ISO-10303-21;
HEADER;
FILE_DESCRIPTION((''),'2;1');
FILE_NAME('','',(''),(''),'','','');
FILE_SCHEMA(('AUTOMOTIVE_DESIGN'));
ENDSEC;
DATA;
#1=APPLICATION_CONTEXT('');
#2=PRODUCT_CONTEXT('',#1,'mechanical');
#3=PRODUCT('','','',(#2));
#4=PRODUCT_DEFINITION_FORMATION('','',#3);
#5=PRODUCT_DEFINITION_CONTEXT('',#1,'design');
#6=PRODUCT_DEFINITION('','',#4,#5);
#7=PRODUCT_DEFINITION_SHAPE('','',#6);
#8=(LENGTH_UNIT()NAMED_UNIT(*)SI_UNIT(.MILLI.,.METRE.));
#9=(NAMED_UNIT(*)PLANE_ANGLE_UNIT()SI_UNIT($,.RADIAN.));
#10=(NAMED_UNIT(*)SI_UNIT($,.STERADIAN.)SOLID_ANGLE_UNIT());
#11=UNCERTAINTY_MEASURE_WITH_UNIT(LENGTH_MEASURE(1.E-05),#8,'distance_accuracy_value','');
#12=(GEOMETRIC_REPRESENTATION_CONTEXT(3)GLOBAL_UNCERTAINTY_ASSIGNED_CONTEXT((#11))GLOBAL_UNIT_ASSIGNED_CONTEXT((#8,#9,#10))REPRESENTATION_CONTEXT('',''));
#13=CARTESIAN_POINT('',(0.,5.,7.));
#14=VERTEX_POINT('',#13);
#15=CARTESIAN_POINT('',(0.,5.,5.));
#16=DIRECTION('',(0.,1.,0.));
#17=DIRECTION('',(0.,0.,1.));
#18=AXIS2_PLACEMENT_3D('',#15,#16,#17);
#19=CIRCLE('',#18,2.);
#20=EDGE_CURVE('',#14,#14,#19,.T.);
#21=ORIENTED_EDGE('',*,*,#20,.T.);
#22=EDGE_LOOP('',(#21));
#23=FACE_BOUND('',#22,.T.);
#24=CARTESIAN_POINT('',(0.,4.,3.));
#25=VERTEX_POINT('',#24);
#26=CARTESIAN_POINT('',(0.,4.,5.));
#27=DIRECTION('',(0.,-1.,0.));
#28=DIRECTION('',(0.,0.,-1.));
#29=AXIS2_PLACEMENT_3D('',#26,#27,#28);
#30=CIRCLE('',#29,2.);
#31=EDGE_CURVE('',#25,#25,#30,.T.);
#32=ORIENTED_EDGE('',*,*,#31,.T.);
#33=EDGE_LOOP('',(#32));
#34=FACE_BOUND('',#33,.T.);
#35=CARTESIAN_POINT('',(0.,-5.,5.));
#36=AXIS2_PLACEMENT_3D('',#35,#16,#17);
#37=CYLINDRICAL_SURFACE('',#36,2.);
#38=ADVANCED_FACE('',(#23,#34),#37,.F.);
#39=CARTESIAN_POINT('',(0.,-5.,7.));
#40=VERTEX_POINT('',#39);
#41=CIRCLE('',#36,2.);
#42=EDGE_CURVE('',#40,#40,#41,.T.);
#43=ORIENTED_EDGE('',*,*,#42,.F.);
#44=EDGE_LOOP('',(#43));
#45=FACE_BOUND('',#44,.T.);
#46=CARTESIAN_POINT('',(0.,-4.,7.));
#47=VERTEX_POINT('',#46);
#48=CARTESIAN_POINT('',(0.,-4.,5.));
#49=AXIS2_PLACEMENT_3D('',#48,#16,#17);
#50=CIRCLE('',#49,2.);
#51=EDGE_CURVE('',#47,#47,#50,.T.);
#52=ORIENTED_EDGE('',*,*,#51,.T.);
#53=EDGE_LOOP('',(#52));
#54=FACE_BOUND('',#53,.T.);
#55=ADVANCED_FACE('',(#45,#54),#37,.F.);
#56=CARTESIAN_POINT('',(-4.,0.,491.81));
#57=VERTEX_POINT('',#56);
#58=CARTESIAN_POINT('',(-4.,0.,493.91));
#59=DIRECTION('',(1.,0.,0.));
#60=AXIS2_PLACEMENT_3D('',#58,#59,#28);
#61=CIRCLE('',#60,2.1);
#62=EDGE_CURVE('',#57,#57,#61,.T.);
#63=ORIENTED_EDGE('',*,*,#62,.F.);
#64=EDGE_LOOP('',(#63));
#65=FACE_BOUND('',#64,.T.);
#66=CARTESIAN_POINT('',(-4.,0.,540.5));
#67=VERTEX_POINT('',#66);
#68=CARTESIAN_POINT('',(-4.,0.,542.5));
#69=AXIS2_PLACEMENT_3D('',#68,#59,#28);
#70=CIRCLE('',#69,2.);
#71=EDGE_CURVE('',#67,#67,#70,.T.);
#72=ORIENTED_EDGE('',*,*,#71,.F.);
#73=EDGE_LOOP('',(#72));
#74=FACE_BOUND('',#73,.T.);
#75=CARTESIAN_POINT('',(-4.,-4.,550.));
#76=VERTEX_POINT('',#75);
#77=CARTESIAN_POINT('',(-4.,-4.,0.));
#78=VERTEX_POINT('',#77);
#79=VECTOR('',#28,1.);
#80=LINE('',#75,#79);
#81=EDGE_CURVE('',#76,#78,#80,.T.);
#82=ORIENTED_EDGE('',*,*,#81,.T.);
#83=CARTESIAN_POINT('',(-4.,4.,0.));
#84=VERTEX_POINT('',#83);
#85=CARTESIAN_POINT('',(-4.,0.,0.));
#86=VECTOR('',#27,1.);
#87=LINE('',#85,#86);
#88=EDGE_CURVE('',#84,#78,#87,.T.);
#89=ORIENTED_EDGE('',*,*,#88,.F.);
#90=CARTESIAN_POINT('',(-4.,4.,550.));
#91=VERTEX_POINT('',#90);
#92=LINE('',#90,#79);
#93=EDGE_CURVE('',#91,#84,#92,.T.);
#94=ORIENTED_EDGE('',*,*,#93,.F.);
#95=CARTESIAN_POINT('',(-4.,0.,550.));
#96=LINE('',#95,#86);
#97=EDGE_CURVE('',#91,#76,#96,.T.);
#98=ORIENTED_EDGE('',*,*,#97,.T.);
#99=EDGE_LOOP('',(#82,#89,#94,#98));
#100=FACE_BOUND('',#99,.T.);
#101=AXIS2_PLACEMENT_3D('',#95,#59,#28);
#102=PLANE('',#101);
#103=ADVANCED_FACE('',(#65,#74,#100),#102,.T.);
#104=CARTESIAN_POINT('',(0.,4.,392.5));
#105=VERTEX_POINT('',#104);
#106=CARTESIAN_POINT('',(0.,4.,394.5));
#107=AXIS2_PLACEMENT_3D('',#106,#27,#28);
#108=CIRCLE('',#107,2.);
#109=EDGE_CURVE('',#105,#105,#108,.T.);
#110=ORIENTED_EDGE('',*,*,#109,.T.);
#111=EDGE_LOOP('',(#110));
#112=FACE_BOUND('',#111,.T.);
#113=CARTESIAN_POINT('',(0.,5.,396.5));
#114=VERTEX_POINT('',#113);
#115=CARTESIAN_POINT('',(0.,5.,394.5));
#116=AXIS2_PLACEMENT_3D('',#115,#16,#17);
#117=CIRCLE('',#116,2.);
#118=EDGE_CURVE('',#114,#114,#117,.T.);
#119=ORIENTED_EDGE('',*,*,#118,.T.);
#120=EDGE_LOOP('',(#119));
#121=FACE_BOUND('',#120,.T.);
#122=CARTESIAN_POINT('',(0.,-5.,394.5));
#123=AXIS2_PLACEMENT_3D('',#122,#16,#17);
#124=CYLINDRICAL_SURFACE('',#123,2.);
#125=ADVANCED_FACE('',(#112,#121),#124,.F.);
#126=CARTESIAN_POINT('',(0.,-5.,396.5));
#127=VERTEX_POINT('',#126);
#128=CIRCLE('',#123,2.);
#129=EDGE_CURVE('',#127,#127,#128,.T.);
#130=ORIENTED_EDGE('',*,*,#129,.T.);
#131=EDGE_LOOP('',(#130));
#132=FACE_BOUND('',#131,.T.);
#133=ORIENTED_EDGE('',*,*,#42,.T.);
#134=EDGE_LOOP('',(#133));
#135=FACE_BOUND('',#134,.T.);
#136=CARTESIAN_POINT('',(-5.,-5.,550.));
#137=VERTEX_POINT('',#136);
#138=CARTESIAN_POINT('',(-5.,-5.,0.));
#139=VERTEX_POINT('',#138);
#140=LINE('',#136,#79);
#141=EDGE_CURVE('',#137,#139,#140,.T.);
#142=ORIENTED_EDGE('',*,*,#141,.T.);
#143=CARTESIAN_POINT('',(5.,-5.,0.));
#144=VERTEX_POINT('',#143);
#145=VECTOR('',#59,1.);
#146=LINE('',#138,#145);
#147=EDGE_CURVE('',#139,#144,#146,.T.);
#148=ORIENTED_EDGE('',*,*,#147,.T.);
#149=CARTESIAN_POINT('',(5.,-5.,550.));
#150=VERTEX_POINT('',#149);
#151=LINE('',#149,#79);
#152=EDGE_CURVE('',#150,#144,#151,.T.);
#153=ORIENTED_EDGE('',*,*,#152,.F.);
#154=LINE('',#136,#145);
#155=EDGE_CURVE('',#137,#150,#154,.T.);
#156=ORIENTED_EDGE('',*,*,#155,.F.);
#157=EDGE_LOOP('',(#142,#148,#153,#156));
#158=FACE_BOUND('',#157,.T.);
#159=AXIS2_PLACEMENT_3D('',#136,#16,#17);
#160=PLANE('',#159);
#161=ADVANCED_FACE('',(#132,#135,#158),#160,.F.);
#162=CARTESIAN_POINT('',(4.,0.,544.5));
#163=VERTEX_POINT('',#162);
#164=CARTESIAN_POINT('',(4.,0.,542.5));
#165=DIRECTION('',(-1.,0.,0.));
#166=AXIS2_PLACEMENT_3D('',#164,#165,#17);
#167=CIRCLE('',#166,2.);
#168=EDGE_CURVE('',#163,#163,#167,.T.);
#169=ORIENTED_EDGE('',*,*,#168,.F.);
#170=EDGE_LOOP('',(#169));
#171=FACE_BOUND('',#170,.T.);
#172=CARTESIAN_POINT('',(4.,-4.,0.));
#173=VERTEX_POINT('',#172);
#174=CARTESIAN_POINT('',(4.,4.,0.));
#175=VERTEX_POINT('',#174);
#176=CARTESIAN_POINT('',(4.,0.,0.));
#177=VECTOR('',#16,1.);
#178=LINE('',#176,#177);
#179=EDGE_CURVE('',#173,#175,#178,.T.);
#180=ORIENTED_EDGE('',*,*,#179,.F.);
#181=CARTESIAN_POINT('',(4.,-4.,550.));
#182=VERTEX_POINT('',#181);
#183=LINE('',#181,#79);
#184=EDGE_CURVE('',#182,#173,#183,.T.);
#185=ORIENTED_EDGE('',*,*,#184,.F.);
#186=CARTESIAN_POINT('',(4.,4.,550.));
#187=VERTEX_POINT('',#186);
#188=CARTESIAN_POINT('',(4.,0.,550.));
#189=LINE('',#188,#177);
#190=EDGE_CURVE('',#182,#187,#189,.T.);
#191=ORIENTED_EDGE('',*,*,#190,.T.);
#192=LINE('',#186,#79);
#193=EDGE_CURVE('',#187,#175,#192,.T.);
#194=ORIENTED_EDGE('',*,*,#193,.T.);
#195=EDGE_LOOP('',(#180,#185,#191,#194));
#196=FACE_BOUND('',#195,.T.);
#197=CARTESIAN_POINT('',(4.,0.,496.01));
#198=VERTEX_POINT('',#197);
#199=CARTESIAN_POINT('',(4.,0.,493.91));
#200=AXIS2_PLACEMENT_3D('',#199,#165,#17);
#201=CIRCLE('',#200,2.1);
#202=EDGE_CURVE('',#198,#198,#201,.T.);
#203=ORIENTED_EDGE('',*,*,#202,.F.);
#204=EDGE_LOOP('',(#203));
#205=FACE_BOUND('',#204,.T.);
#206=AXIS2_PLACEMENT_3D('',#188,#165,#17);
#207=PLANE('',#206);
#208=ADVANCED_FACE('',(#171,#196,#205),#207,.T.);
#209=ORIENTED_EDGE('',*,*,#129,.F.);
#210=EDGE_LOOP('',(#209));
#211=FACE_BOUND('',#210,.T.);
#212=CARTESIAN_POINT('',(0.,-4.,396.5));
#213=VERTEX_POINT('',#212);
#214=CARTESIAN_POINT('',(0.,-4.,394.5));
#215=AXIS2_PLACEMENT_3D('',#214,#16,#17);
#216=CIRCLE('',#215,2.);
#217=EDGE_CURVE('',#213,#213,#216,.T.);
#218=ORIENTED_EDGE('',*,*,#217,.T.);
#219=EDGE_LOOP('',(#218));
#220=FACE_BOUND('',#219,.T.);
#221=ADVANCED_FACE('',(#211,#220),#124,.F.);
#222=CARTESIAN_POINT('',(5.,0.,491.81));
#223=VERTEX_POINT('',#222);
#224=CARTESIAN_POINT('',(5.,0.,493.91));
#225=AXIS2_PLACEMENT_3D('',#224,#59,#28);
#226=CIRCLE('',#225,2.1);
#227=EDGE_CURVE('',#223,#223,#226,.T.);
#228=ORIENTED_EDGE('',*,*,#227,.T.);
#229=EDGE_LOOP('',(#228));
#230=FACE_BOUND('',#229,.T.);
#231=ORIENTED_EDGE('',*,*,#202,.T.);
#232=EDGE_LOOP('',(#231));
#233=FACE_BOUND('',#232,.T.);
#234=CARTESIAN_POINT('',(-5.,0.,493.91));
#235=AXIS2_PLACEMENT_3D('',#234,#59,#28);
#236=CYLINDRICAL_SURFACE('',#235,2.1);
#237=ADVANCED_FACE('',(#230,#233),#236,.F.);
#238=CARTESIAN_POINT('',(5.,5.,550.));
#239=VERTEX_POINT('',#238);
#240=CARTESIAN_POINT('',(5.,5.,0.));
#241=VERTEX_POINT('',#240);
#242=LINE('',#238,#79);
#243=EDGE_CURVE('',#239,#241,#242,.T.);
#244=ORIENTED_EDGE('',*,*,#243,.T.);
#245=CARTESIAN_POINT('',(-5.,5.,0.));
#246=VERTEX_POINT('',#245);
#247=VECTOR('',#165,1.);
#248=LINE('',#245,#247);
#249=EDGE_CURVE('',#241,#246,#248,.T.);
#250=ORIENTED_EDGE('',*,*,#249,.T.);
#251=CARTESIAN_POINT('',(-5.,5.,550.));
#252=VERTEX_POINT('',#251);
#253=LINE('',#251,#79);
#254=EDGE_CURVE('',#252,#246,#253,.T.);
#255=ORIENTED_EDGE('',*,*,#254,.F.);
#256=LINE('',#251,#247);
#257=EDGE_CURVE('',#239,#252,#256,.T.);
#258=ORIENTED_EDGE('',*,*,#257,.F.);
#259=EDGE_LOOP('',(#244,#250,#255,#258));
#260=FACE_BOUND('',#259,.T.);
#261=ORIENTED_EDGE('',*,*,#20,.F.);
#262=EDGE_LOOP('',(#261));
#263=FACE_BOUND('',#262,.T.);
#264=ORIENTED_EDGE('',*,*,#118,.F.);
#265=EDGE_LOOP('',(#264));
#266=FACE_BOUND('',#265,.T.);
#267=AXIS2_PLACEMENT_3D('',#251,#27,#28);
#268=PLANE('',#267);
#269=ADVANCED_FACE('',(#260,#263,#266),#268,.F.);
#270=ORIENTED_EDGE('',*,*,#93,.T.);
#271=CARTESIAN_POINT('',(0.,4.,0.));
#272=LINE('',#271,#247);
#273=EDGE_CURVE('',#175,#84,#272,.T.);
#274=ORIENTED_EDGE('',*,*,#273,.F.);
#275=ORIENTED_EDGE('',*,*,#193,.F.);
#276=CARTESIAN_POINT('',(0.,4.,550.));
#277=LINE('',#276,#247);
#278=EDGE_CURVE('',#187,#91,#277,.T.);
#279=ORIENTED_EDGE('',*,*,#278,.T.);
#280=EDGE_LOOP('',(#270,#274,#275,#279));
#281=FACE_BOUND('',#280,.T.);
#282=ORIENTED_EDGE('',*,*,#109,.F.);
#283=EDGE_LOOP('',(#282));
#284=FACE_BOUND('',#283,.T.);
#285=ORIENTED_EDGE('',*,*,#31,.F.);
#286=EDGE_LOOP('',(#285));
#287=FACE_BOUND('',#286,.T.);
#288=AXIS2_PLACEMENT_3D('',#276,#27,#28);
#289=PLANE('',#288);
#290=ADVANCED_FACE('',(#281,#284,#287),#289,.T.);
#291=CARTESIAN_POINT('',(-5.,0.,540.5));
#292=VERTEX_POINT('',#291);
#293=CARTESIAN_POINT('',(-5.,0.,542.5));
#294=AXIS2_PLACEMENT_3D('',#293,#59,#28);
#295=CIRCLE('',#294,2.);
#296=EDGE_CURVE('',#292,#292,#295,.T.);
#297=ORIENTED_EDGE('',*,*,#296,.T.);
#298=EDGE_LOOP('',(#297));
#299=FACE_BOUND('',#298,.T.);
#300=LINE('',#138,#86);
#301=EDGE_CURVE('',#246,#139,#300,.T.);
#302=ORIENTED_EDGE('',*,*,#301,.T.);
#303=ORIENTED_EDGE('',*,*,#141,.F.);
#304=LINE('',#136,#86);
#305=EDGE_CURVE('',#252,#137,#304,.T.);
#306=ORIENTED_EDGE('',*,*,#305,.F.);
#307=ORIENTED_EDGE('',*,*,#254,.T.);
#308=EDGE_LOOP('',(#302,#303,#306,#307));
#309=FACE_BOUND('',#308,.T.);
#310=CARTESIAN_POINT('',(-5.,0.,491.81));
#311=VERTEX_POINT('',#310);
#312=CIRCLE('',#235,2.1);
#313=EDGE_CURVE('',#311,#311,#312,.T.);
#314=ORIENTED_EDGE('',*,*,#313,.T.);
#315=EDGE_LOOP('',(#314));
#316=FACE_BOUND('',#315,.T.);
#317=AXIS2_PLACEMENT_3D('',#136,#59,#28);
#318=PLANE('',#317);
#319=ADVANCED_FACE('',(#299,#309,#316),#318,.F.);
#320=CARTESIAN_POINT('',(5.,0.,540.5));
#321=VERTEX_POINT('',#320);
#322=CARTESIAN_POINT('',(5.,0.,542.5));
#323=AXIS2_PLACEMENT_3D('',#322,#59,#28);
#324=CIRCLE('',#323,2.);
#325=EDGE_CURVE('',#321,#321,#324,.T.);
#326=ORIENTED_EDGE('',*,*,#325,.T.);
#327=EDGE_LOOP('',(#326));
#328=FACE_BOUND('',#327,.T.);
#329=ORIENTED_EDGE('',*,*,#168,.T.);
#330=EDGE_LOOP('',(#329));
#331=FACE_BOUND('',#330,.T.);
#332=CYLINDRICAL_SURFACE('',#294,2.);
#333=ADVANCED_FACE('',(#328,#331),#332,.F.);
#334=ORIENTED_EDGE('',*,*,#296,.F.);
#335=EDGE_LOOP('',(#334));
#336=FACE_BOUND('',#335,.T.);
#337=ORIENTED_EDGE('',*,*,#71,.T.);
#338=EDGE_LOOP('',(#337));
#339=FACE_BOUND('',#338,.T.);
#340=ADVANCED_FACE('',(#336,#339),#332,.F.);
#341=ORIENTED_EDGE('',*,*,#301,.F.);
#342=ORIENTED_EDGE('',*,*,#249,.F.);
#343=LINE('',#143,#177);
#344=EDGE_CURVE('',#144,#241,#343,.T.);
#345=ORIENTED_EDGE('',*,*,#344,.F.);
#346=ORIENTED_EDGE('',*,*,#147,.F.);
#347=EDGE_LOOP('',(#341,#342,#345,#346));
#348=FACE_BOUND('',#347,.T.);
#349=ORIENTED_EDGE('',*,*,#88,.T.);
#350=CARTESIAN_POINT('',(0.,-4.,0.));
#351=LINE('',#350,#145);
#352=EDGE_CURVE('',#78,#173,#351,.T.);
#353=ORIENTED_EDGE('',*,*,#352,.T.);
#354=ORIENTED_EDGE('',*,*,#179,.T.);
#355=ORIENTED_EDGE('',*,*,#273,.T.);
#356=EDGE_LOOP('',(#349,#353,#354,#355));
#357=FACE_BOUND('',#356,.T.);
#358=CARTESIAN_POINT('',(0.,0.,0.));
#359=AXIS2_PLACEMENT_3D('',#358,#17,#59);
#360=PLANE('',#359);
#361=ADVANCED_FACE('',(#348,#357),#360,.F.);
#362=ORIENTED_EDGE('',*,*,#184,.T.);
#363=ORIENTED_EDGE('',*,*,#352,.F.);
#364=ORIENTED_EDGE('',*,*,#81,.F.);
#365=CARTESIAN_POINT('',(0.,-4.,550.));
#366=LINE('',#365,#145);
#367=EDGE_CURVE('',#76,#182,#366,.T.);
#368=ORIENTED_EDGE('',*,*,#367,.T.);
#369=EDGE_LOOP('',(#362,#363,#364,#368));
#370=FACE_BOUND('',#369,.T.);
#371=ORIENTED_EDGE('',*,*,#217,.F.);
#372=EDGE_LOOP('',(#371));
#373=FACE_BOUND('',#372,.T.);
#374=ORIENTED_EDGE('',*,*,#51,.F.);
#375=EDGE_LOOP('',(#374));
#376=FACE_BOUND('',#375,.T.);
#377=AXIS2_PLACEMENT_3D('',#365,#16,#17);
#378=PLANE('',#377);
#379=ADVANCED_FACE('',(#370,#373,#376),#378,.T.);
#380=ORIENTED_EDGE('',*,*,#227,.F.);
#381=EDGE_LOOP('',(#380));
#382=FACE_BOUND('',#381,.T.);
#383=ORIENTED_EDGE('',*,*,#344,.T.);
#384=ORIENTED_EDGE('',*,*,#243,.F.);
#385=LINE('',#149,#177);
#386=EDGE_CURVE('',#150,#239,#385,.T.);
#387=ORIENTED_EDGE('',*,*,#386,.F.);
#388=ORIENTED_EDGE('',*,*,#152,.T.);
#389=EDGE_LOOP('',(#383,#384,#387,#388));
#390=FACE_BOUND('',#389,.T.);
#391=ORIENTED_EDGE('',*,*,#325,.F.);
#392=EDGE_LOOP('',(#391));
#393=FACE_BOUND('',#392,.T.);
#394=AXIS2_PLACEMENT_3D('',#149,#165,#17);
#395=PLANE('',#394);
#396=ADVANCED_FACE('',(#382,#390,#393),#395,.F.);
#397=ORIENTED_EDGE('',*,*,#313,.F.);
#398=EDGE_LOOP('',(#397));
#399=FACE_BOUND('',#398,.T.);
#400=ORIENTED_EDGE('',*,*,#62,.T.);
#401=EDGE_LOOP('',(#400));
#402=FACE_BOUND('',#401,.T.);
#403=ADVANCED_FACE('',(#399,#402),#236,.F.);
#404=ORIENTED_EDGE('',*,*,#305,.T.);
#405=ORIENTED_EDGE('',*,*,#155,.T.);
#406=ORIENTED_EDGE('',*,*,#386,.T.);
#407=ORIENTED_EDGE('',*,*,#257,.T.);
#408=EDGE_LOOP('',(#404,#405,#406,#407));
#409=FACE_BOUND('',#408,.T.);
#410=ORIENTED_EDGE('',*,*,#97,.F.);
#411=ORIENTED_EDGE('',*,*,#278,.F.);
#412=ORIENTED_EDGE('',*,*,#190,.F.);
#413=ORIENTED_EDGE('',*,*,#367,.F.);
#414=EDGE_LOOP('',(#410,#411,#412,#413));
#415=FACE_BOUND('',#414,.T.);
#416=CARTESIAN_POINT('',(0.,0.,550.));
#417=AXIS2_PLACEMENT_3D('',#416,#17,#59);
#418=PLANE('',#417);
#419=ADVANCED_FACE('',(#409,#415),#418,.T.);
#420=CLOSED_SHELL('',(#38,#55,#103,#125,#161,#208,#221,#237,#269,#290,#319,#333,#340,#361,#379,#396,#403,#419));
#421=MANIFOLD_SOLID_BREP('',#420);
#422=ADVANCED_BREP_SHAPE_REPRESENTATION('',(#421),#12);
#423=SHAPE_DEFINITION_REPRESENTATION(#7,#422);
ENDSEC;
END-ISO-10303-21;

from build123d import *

# Parameters (mm, degrees)
SKETCH_1_W          = 10
SKETCH_1_H          = 10
SKETCH_1_W_2        = 8
SKETCH_1_H_2        = 8
EXTRUDE_1_DEPTH     = 550
SKETCH_2_R          = 2
CUT_EXTRUDE_1_DEPTH = 551.113624627
SKETCH_3_R          = 2.1
CUT_EXTRUDE_2_DEPTH = 551.113624627
SKETCH_4_R          = 2
CUT_EXTRUDE_3_DEPTH = 551.113624627


with BuildPart() as part:
    # ｽｹｯﾁ1 → 押し出し-薄板1 (new body)
    with BuildSketch(Plane.XY):
        Rectangle(SKETCH_1_W, SKETCH_1_H)
        Rectangle(SKETCH_1_W_2, SKETCH_1_H_2, mode=Mode.SUBTRACT)
    extrude(amount=EXTRUDE_1_DEPTH)

    # ｽｹｯﾁ2 → ｶｯﾄ - 押し出し1 (cut, through all)
    with BuildSketch(Plane(origin=(0, 5, 0), x_dir=(1, 0, 0), z_dir=(0, 1, 0))):
        with Locations(Location((0, -5, 0), (0, 0, 270))):
            Circle(SKETCH_2_R)
        with Locations(Location((0, -394.5, 0), (0, 0, 270))):
            Circle(SKETCH_2_R)
    extrude(amount=-CUT_EXTRUDE_1_DEPTH, mode=Mode.SUBTRACT)

    # ｽｹｯﾁ3 → ｶｯﾄ - 押し出し2 (cut, through all)
    with BuildSketch(Plane(origin=(5, 0, 0), x_dir=(0, 0, -1), z_dir=(1, 0, 0))):
        with Locations((-493.91, 0)):
            Circle(SKETCH_3_R)
    extrude(amount=-CUT_EXTRUDE_2_DEPTH, mode=Mode.SUBTRACT)

    # ｽｹｯﾁ4 → ｶｯﾄ - 押し出し3 (cut, through all)
    with BuildSketch(Plane(origin=(5, 0, 0), x_dir=(0, 0, -1), z_dir=(1, 0, 0))):
        with Locations((-542.5, 0)):
            Circle(SKETCH_4_R)
    extrude(amount=-CUT_EXTRUDE_3_DEPTH, mode=Mode.SUBTRACT)


solid = part.part
